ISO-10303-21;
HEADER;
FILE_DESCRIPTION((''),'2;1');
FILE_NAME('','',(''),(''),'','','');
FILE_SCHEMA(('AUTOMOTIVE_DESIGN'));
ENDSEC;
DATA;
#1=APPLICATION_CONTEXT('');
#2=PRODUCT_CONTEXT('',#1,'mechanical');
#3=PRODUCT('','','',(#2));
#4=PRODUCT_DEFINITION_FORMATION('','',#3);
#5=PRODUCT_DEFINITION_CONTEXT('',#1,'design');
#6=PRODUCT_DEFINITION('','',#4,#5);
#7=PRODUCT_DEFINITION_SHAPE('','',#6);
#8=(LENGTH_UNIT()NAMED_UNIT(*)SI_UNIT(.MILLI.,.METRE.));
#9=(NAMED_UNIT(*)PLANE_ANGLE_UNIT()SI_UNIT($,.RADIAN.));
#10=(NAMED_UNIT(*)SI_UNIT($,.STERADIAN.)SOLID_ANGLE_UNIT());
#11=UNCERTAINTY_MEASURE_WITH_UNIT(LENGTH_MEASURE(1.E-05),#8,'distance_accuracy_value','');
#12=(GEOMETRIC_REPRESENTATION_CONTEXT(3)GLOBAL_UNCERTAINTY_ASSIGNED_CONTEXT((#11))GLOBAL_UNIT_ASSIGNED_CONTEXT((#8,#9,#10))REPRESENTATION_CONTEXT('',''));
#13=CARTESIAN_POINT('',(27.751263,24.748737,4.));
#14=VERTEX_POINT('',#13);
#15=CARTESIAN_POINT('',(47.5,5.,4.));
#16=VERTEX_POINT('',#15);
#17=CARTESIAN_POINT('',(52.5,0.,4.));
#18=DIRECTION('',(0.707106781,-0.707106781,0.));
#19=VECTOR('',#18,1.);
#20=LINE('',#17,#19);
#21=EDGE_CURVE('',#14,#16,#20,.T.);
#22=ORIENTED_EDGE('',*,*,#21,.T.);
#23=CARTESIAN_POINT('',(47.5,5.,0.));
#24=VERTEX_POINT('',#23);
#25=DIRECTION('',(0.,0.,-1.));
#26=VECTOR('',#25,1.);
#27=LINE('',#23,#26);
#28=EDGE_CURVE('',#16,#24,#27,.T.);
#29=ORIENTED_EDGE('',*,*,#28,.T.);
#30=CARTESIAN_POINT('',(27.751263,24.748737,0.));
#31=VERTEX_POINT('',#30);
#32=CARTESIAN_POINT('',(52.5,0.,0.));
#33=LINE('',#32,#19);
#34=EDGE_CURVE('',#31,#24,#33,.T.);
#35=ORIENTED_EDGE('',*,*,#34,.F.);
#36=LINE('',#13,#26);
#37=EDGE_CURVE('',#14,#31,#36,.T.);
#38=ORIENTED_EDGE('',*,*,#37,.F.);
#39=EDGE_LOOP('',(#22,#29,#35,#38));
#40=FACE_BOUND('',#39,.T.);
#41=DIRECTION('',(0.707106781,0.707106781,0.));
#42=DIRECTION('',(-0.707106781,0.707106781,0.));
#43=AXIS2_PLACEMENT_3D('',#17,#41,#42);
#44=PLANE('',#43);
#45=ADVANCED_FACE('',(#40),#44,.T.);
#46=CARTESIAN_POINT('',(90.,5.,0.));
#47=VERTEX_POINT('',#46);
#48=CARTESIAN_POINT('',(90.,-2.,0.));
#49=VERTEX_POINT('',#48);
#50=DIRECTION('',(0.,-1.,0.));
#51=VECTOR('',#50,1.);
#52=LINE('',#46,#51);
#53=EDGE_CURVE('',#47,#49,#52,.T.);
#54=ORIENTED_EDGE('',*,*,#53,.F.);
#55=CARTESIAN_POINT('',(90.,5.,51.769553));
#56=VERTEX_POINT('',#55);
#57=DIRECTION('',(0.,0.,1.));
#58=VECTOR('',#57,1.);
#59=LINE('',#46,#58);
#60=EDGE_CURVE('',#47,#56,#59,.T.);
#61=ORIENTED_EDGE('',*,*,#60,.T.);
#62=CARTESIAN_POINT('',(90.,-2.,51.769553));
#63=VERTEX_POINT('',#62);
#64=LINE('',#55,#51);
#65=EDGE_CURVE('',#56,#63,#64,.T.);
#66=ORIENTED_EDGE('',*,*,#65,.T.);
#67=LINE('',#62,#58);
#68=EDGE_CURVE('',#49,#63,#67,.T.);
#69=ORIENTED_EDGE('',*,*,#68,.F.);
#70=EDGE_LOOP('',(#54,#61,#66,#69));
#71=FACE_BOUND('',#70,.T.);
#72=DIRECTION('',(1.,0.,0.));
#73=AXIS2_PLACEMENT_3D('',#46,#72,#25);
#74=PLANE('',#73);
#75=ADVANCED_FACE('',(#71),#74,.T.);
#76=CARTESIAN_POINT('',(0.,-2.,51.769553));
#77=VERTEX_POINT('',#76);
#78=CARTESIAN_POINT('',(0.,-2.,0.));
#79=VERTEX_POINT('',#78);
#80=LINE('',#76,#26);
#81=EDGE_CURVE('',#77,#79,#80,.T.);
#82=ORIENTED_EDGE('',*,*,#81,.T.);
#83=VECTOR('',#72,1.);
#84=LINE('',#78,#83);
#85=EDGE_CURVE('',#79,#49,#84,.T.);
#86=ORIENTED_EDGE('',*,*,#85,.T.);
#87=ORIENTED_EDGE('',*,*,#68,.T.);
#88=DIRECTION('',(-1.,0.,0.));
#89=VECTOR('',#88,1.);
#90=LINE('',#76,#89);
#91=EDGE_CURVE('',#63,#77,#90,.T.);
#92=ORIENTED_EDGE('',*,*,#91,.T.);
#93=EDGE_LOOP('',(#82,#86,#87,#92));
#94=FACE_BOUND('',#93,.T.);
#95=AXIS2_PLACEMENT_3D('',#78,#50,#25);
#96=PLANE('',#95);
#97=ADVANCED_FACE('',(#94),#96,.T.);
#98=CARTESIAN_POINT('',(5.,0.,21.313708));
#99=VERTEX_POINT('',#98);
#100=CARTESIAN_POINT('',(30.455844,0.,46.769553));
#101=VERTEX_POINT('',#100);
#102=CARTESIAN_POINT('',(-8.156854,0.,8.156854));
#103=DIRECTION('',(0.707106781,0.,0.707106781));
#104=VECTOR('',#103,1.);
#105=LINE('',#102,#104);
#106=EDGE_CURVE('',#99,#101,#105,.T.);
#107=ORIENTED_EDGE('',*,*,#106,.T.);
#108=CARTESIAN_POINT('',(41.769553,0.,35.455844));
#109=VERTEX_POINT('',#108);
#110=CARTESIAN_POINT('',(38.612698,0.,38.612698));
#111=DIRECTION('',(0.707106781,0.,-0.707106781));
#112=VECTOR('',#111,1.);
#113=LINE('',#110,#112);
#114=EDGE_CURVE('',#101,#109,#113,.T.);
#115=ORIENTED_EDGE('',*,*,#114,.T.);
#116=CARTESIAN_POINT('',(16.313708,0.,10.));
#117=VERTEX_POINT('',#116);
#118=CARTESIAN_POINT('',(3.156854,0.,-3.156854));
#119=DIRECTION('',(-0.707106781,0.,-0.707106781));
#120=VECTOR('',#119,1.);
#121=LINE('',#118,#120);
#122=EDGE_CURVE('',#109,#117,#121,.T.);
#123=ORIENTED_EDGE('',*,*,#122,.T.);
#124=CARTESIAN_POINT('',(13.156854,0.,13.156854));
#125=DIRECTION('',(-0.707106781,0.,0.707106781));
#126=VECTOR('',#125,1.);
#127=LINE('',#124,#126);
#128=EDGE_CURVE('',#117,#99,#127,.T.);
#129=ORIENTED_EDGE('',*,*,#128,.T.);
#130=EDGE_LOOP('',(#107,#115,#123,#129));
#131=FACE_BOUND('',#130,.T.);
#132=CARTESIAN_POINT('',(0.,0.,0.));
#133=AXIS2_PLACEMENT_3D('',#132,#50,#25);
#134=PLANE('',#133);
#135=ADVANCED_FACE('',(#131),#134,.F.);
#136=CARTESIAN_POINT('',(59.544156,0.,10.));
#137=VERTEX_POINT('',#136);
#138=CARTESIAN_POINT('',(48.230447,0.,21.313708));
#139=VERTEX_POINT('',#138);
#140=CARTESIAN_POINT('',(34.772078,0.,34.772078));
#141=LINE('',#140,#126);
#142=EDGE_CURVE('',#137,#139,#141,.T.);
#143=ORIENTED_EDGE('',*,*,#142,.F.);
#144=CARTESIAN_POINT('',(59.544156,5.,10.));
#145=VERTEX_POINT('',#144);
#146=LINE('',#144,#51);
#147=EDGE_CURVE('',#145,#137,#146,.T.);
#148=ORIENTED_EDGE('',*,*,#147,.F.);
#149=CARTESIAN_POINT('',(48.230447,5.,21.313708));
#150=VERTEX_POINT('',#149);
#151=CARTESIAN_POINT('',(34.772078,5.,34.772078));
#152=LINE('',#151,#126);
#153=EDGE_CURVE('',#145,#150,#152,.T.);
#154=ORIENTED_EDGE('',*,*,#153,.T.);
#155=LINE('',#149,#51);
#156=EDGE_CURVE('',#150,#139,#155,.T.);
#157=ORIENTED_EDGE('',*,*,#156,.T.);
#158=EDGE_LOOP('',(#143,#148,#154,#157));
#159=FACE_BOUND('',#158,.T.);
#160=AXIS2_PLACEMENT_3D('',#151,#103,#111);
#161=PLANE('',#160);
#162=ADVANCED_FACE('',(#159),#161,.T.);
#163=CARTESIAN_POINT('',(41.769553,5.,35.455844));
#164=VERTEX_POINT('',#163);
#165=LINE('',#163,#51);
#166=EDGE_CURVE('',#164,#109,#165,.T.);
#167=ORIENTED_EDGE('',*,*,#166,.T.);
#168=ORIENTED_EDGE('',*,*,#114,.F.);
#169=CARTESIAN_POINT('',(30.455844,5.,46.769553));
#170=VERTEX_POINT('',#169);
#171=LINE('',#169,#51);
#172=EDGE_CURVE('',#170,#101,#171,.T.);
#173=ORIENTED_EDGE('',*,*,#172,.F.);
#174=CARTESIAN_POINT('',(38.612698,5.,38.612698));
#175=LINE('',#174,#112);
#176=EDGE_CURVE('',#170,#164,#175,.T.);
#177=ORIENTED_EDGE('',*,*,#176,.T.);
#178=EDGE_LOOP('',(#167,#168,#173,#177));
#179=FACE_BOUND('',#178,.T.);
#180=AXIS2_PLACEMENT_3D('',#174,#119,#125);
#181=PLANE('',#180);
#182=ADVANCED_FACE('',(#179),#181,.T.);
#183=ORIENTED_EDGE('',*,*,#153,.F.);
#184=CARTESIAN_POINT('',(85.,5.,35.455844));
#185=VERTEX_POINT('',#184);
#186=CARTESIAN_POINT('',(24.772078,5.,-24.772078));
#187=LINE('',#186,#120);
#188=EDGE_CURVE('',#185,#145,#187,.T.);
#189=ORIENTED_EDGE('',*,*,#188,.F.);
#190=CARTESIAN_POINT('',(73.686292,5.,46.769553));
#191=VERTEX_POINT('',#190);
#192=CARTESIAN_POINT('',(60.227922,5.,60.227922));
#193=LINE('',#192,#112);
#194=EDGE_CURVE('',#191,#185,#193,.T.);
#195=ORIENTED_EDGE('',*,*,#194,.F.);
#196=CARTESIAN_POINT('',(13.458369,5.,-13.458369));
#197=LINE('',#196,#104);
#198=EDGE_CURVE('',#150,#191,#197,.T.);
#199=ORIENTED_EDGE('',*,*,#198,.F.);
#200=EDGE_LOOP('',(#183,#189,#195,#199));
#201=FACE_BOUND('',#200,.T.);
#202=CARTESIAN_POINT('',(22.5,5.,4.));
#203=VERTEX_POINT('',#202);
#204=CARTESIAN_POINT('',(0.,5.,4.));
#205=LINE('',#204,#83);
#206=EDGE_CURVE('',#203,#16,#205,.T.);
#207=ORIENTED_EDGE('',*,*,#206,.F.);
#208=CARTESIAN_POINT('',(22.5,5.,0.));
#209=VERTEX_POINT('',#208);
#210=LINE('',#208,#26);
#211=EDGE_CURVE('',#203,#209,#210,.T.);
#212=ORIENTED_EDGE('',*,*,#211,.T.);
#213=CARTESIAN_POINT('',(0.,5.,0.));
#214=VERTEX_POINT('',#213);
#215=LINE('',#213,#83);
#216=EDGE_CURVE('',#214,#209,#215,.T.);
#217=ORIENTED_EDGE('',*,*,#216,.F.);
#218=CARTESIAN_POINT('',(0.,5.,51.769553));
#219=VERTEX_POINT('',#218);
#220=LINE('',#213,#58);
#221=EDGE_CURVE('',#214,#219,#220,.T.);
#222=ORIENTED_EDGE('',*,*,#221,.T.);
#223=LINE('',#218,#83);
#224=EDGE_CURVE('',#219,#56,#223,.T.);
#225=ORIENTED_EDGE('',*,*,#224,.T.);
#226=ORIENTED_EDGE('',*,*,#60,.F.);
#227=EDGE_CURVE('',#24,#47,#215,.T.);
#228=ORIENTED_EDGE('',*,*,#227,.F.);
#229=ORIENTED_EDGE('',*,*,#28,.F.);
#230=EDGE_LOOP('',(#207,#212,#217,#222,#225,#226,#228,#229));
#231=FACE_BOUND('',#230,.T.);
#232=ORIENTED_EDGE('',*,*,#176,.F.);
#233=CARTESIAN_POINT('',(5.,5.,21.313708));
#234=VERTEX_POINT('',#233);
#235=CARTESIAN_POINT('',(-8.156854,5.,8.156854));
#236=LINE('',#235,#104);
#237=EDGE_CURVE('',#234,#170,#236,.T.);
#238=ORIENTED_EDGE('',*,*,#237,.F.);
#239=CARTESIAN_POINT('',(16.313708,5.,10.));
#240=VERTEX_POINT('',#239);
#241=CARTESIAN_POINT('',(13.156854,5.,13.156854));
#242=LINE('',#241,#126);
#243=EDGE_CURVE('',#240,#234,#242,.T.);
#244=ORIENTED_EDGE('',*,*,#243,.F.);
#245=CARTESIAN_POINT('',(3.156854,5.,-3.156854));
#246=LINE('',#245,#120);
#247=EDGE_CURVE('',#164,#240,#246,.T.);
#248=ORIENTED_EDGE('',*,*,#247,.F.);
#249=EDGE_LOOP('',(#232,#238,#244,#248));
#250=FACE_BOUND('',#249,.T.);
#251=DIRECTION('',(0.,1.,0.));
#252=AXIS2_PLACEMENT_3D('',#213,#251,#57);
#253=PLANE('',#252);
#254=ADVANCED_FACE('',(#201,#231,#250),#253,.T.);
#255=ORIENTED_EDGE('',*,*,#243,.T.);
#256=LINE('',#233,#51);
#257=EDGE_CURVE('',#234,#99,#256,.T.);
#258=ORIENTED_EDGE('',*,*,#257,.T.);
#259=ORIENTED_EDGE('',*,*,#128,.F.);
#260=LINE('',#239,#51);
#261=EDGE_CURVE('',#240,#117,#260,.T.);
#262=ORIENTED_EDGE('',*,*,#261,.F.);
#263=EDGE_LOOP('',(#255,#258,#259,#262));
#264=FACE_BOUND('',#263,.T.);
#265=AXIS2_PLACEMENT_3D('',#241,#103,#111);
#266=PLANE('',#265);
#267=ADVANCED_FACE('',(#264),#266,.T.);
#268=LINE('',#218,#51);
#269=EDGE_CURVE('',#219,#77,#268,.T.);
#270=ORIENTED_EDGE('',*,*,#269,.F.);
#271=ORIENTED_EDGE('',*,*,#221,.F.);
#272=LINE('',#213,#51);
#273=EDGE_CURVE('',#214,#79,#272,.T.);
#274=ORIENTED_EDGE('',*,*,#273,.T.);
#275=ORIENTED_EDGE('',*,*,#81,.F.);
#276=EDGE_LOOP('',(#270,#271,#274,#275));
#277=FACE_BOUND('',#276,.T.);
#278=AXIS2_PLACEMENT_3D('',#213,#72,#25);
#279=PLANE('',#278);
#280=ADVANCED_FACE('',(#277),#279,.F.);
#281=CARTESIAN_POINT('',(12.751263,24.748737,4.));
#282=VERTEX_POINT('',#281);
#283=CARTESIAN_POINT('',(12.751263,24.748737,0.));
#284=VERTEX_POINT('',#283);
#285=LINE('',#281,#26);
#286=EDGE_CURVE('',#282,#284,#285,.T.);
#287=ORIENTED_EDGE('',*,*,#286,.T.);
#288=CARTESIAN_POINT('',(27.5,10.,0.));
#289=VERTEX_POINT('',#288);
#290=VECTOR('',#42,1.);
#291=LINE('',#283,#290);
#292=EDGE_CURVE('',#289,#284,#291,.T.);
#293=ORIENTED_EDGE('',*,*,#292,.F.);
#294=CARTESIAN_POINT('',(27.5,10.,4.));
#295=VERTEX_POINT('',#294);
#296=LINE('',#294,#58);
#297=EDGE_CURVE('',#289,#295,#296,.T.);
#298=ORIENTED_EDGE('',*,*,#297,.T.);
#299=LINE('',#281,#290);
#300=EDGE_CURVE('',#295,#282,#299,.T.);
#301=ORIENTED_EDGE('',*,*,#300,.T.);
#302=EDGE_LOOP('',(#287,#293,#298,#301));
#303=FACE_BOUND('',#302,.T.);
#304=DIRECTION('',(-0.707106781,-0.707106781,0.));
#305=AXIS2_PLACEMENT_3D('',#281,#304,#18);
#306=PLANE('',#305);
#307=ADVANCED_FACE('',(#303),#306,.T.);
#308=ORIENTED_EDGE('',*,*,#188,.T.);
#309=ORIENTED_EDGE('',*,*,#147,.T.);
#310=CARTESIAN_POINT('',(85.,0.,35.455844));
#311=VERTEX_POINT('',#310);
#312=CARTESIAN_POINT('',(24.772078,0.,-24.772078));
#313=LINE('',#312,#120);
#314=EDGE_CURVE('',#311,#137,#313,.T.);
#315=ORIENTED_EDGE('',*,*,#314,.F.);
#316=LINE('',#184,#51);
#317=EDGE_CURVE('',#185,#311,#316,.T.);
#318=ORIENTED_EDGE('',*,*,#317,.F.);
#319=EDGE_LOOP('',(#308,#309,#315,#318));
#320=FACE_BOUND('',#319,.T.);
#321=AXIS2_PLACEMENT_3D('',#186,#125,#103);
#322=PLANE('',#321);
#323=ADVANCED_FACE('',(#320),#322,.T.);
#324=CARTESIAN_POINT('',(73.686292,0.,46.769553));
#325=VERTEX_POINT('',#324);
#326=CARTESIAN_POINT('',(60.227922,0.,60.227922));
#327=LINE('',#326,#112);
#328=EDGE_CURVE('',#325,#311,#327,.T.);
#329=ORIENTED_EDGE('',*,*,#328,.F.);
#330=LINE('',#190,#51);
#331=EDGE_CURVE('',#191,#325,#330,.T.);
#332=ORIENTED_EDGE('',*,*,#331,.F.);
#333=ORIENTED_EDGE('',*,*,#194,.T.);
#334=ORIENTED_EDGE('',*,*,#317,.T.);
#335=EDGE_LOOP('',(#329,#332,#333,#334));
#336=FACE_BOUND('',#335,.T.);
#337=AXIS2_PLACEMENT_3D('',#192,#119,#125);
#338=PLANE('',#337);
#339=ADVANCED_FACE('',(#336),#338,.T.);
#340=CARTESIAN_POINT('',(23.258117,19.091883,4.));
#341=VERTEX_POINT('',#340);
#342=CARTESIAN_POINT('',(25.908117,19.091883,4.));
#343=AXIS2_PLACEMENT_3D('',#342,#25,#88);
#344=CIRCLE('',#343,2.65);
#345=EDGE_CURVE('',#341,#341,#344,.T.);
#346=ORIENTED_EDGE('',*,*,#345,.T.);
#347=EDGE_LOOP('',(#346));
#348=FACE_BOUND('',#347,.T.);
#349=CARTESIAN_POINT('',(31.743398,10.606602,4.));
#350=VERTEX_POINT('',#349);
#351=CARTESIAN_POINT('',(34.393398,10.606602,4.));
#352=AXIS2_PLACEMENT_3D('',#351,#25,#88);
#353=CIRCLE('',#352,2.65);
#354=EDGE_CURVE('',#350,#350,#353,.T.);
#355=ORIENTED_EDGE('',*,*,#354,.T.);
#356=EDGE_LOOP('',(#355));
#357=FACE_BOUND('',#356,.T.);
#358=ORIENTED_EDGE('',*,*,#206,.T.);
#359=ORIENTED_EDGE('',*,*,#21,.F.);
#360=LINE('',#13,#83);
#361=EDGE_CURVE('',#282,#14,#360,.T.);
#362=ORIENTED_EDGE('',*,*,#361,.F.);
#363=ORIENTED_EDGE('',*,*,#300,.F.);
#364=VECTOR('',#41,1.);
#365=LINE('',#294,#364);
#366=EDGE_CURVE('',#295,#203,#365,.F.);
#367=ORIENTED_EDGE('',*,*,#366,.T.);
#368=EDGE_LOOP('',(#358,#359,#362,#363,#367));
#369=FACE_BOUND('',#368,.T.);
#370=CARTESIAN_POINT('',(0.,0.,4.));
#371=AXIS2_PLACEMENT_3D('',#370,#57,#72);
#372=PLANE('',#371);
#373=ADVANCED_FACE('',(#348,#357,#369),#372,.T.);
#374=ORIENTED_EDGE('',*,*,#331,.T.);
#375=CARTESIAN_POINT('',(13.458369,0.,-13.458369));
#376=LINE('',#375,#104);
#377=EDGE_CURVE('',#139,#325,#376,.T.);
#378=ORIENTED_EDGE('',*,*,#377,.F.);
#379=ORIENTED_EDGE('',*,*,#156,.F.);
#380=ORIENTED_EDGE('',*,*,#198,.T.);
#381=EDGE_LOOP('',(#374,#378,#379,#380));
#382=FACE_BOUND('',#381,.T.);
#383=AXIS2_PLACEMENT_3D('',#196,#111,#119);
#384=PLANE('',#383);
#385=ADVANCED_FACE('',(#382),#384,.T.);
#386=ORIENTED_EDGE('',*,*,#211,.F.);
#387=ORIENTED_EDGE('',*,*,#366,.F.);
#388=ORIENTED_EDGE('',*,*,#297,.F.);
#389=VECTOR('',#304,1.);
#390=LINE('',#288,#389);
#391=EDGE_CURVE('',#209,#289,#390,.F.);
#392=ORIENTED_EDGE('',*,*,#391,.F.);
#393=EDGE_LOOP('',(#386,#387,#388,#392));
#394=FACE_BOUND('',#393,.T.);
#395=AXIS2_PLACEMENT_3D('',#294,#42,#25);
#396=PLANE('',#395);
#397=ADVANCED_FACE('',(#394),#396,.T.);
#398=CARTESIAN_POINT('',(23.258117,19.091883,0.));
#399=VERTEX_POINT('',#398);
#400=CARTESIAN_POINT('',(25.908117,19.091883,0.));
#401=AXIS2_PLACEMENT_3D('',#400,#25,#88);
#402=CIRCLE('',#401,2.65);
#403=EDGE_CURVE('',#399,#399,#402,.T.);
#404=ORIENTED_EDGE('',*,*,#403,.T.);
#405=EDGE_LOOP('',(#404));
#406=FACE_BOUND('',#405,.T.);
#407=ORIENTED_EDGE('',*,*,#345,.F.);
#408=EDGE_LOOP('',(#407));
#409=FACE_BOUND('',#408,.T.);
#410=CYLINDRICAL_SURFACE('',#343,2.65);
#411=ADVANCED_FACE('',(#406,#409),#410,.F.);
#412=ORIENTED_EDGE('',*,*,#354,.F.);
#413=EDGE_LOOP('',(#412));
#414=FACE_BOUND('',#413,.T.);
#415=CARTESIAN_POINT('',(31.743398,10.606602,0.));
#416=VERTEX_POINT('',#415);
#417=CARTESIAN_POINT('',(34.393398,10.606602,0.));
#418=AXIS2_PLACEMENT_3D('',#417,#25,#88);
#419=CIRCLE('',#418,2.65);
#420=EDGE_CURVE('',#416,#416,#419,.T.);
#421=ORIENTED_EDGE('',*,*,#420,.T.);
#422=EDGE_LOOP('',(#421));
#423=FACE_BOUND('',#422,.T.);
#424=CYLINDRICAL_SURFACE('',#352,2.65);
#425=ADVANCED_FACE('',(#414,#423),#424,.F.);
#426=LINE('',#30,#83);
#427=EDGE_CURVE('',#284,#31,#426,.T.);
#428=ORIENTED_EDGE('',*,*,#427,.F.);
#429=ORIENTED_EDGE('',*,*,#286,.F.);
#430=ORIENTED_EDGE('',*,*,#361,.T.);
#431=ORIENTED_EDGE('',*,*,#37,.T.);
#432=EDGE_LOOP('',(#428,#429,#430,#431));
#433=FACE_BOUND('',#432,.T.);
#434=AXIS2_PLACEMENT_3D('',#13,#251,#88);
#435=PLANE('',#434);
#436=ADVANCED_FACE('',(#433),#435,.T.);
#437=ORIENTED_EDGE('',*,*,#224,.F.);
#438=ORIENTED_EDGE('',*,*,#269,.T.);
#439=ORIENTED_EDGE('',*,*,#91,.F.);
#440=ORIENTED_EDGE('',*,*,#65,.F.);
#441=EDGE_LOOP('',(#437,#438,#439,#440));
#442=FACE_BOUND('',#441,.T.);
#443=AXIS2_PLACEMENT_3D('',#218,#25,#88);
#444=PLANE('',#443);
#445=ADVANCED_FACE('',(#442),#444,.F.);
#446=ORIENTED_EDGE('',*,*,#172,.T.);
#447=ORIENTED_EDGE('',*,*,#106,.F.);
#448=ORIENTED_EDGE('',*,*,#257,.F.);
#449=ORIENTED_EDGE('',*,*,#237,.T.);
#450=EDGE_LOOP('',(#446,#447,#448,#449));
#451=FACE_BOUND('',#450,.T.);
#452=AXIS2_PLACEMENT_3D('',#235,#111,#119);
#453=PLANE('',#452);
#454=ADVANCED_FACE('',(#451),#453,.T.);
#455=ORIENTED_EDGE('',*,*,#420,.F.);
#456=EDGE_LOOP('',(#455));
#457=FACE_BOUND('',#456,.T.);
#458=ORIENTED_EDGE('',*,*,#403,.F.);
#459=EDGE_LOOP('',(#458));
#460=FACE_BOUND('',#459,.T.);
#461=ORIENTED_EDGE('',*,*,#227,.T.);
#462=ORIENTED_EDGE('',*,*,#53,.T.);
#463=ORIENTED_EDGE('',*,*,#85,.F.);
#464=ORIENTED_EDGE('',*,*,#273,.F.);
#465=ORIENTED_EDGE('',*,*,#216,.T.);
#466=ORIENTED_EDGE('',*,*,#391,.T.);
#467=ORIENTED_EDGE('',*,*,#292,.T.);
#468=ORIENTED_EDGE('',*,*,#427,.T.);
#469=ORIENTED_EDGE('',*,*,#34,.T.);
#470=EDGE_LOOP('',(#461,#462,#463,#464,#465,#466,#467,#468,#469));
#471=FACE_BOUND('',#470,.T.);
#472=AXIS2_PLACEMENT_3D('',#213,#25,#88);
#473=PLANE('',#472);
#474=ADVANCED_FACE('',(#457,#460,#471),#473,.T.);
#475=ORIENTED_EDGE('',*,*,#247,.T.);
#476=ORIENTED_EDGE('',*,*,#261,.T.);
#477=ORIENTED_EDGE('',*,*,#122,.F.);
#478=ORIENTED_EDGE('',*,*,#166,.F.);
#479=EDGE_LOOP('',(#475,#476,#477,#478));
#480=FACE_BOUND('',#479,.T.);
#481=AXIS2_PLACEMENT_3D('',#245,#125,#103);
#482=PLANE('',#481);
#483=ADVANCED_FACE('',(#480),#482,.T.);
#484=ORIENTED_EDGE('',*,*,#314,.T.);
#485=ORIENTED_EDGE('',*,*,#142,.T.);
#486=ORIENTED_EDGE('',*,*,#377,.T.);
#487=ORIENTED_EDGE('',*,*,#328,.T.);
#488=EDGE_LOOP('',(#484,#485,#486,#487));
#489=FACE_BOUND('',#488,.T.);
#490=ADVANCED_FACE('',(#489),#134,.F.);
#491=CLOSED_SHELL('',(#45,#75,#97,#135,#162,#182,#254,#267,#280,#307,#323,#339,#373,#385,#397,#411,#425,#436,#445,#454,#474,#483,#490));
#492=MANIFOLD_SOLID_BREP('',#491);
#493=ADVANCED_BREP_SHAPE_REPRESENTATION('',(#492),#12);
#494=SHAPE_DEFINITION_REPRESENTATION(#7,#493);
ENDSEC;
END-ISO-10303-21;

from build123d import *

# Parameters (mm, degrees)
SKETCH1_W           = 90
SKETCH1_H           = 51.769552622
BOSS_EXTRUDE1_DEPTH = 5
SKETCH5_R           = 2.65
BOSS_EXTRUDE2_DEPTH = 4
CHAMFER1_SIZE       = 10
CHAMFER1_SIZE2      = 7.071067812
SKETCH6_W           = 90
SKETCH6_H           = 51.769552622
BOSS_EXTRUDE3_DEPTH = 2


with BuildPart() as part:
    # Sketch1 → Boss-Extrude1 (new body)
    with BuildSketch(Plane(origin=(0, 0, 0), x_dir=(1, 0, 0), z_dir=(0, 1, 0))):
        with Locations((45, -25.884776311)):
            Rectangle(SKETCH1_W, SKETCH1_H)
        Polygon((5, -21.313708499), (30.455844123, -46.769552622), (41.769552622, -35.455844123), (16.313708499, -10), align=None, mode=Mode.SUBTRACT)
        Polygon((48.230447378, -21.313708499), (73.686291501, -46.769552622), (85, -35.455844123), (59.544155877, -10), align=None, mode=Mode.SUBTRACT)
    extrude(amount=BOSS_EXTRUDE1_DEPTH)

    # Sketch5 → Boss-Extrude2 (add)
    with BuildSketch(Plane(origin=(0, 0, 0), x_dir=(-1, 0, 0), z_dir=(0, 0, -1))):
        Polygon((-52.5, 0), (-27.751262658, 24.748737342), (-12.751262658, 24.748737342), (-37.5, 0), align=None)
        with Locations((-25.908116908, 19.091883092)):
            Circle(SKETCH5_R, mode=Mode.SUBTRACT)
        with Locations((-34.393398282, 10.606601718)):
            Circle(SKETCH5_R, mode=Mode.SUBTRACT)
    extrude(amount=-BOSS_EXTRUDE2_DEPTH)

    # Chamfer1
    chamfer1_edges = [part.edges().sort_by_distance(p)[0] for p in [
        (32.5, 5, 2),
    ]]
    chamfer1_side = [part.faces().sort_by_distance(p)[0] for p in [
        (45.087025644, 5, 25.465047734),
    ]]
    chamfer(chamfer1_edges, length=CHAMFER1_SIZE, length2=CHAMFER1_SIZE2, reference=chamfer1_side[0])

    # Sketch6 → Boss-Extrude3 (add)
    with BuildSketch(Plane.XZ):
        with Locations((45, 25.884776311)):
            Rectangle(SKETCH6_W, SKETCH6_H)
    extrude(amount=BOSS_EXTRUDE3_DEPTH)


solid = part.part
